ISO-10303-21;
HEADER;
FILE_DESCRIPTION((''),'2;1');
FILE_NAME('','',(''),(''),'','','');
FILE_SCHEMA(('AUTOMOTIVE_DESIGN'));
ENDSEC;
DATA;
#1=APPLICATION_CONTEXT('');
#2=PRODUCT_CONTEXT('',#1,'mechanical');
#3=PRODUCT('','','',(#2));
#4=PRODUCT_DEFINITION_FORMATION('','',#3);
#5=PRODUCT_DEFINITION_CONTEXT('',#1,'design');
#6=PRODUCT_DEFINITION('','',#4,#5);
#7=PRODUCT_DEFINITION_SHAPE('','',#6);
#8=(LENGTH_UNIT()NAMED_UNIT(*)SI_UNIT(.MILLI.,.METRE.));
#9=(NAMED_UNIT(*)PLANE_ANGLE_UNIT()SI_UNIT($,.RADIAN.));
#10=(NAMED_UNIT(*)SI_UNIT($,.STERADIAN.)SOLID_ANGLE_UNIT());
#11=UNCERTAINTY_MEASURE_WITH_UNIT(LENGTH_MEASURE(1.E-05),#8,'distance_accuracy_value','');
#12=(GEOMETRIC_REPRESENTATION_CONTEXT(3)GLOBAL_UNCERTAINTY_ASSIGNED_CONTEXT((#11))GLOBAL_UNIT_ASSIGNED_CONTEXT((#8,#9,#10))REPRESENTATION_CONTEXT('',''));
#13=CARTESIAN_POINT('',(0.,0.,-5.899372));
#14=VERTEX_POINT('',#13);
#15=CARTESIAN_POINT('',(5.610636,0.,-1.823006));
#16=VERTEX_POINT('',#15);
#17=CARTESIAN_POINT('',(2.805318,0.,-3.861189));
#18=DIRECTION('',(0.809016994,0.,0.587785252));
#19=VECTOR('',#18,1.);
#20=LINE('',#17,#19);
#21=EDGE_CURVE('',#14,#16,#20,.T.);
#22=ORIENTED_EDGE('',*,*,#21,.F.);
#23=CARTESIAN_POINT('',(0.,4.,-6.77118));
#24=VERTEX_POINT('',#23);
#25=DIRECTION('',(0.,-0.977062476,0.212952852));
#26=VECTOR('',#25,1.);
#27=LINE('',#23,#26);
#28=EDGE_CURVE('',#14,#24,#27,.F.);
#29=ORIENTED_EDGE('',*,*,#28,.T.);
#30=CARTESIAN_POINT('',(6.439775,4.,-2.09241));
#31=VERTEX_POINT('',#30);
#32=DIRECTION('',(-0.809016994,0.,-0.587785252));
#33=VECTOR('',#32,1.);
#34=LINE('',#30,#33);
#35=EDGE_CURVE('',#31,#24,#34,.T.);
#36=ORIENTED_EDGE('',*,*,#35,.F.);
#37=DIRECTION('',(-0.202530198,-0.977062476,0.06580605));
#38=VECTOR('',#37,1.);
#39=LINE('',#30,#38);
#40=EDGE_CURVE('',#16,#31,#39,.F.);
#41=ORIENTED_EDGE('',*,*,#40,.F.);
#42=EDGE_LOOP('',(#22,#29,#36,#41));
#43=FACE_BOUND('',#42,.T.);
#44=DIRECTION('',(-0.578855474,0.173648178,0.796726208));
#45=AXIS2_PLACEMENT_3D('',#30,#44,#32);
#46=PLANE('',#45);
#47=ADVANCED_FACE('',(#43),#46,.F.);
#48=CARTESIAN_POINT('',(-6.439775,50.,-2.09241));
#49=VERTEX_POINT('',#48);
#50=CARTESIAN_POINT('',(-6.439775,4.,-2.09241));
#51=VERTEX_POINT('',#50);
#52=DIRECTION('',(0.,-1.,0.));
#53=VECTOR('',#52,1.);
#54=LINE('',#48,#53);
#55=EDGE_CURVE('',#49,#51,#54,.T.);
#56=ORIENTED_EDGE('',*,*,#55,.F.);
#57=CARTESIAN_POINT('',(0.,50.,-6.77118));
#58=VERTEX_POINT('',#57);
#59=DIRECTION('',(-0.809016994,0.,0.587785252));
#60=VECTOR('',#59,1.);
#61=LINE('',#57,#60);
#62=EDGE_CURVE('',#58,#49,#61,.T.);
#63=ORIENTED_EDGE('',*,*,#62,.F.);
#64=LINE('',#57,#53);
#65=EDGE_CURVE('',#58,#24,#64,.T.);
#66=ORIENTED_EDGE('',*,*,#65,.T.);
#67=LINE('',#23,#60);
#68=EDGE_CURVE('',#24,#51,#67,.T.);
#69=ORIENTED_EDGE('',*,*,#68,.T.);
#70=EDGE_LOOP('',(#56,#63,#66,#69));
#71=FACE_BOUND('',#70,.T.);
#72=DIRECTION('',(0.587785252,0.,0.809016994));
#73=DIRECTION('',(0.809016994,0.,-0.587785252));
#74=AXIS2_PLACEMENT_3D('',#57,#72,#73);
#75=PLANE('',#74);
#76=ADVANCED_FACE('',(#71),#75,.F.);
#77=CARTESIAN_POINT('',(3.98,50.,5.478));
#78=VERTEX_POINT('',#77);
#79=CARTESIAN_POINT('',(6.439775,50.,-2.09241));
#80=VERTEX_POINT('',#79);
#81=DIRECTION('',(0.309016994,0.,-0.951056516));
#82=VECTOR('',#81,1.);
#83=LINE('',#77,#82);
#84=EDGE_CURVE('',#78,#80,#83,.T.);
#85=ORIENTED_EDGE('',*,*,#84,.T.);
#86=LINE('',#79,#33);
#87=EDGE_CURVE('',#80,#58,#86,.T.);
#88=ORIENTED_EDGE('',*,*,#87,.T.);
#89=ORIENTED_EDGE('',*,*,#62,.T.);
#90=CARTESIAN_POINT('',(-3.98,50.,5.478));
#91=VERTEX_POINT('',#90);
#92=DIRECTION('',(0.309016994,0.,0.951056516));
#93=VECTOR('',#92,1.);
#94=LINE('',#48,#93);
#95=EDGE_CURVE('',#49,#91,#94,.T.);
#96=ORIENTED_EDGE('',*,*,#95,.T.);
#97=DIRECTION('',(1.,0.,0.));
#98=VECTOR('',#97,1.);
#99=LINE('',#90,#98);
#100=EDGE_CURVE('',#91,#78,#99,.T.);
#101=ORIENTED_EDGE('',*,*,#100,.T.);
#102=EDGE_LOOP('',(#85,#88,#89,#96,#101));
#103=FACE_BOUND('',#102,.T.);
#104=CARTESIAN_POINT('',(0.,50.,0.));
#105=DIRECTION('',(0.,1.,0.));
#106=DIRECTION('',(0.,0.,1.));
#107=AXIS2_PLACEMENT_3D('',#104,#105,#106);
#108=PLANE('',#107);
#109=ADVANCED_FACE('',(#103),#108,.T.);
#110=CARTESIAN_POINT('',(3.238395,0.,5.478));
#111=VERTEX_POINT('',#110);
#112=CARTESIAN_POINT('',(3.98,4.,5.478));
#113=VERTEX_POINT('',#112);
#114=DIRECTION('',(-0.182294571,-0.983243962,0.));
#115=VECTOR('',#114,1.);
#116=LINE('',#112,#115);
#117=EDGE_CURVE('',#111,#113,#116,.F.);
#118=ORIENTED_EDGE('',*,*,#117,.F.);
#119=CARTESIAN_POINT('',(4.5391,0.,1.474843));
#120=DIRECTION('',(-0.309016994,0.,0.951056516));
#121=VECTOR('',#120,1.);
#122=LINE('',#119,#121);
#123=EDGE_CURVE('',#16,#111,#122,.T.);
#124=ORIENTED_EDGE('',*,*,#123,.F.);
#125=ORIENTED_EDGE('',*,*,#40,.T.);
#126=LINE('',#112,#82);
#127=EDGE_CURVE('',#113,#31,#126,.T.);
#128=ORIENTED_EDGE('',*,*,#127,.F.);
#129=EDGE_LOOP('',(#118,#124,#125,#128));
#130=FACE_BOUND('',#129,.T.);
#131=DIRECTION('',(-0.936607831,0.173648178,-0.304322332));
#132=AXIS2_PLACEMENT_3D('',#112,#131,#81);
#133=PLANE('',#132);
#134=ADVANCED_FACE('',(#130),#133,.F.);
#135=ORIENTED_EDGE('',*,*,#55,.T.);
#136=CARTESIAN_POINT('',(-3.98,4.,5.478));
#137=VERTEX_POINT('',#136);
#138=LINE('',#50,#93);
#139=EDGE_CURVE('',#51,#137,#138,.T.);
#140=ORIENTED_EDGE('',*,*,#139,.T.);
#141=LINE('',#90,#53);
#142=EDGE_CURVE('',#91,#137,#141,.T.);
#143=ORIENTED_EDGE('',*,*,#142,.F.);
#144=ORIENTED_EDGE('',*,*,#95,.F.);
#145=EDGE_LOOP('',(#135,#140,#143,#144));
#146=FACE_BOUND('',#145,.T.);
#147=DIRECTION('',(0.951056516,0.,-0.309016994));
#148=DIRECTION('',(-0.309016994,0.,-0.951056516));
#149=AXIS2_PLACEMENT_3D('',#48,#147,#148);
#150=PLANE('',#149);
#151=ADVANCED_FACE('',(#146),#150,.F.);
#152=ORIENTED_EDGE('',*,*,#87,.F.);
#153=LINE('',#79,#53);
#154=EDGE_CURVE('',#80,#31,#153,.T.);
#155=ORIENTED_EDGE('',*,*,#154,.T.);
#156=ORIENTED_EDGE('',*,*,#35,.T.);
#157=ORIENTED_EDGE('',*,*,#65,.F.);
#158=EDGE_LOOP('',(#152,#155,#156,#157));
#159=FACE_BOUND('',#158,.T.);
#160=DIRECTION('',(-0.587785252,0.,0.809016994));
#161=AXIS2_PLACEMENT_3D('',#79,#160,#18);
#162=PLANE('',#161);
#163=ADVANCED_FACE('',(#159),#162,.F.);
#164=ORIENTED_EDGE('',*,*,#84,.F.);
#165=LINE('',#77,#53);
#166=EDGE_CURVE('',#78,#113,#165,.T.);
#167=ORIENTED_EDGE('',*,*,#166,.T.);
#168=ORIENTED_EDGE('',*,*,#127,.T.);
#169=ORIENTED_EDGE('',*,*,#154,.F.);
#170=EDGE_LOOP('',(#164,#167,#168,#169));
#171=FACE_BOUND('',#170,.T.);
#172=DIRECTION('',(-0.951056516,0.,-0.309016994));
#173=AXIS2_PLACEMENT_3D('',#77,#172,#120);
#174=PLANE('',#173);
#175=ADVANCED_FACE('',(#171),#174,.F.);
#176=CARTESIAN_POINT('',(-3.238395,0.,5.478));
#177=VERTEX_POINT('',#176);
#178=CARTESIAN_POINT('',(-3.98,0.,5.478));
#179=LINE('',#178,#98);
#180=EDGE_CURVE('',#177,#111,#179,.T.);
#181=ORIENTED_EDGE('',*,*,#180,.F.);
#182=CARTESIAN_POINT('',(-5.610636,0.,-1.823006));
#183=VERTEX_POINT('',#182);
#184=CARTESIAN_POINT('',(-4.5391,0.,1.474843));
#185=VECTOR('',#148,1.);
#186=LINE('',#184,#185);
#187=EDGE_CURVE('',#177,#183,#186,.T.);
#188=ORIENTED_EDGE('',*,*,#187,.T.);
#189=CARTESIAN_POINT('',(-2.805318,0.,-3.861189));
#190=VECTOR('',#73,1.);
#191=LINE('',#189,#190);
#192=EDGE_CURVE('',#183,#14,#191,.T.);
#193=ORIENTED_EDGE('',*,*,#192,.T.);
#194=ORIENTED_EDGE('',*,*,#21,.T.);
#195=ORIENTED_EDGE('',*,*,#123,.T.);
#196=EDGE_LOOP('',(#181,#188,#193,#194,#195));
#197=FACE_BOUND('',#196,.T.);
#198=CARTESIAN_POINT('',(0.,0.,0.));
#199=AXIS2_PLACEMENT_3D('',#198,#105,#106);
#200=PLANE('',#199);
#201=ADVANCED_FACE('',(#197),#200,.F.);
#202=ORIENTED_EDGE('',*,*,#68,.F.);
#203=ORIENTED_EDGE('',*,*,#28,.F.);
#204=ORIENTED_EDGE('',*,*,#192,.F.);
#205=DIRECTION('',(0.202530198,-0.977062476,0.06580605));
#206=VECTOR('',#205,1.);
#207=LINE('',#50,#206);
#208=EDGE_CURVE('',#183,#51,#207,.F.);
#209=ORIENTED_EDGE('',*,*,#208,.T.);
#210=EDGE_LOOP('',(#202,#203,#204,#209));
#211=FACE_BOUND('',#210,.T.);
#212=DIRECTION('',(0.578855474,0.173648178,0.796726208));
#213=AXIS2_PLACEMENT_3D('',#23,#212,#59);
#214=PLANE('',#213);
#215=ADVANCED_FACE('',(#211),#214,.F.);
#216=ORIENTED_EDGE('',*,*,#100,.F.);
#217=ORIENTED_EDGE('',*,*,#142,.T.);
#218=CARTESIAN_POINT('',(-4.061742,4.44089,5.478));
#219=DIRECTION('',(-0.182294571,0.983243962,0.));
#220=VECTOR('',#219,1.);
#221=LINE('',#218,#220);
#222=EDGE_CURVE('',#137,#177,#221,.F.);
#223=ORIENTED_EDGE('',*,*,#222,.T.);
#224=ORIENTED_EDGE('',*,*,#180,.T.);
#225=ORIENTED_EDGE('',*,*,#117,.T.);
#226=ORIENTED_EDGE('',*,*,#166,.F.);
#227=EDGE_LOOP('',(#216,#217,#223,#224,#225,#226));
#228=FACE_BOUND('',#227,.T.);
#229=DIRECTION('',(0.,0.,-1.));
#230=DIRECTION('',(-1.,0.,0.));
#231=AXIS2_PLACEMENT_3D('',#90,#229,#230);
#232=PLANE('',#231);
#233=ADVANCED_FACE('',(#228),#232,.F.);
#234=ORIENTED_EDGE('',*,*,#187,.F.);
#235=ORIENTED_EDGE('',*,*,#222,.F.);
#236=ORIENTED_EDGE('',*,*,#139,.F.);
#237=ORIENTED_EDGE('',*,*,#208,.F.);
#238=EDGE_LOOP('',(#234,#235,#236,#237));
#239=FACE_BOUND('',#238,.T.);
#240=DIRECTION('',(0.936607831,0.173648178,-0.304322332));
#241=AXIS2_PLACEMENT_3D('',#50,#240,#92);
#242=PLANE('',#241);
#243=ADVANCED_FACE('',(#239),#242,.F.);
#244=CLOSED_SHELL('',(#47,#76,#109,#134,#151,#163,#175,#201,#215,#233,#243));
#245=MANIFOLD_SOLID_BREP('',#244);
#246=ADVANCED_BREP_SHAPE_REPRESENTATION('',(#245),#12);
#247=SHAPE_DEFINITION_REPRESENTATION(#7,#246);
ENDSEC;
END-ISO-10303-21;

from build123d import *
from OCP.BRepFilletAPI import BRepFilletAPI_MakeChamfer

# Parameters (mm, degrees)
BOSS_EXTRUDE1_DEPTH = 50
CHAMFER1_SIZE       = 4
CHAMFER1_SIZE2      = 0.705307923


with BuildPart() as part:
    # Sketch1 → Boss-Extrude1 (new body)
    with BuildSketch(Plane(origin=(0, 0, 0), x_dir=(1, 0, 0), z_dir=(0, 1, 0))):
        Polygon((0, 6.771180434), (-6.439775275, 2.092409826), (-3.98, -5.478000043), (3.98, -5.478000043), (6.439775275, 2.092409826), align=None)
    extrude(amount=BOSS_EXTRUDE1_DEPTH)

    # Chamfer1: one chamfer whose edges measure the first distance from different faces: ONE call of the kernel's chamfer builder (chamfer() names one face for all edges)
    chamfer1_edges_1 = [part.edges().sort_by_distance(p)[0] for p in [
        (5.209887638, 0, 1.692795109),
    ]]
    chamfer1_side_1 = [part.faces().sort_by_distance(p)[0] for p in [
        (5.209887638, 25, 1.692795109),
    ]]
    chamfer1_edges_2 = [part.edges().sort_by_distance(p)[0] for p in [
        (-5.209887638, 0, 1.692795109),
    ]]
    chamfer1_side_2 = [part.faces().sort_by_distance(p)[0] for p in [
        (-5.209887638, 25, 1.692795109),
    ]]
    chamfer1_edges_3 = [part.edges().sort_by_distance(p)[0] for p in [
        (-3.219887638, 0, -4.43179513),
    ]]
    chamfer1_side_3 = [part.faces().sort_by_distance(p)[0] for p in [
        (-3.219887638, 25, -4.43179513),
    ]]
    chamfer1_edges_4 = [part.edges().sort_by_distance(p)[0] for p in [
        (3.219887638, 0, -4.43179513),
    ]]
    chamfer1_side_4 = [part.faces().sort_by_distance(p)[0] for p in [
        (3.219887638, 25, -4.43179513),
    ]]
    chamfer1 = BRepFilletAPI_MakeChamfer(part.part.solid().wrapped)
    for e in chamfer1_edges_1:
        chamfer1.Add(CHAMFER1_SIZE, CHAMFER1_SIZE2, e.wrapped, chamfer1_side_1[0].wrapped)  # the first distance lies on this face
    for e in chamfer1_edges_2:
        chamfer1.Add(CHAMFER1_SIZE, CHAMFER1_SIZE2, e.wrapped, chamfer1_side_2[0].wrapped)  # the first distance lies on this face
    for e in chamfer1_edges_3:
        chamfer1.Add(CHAMFER1_SIZE, CHAMFER1_SIZE2, e.wrapped, chamfer1_side_3[0].wrapped)  # the first distance lies on this face
    for e in chamfer1_edges_4:
        chamfer1.Add(CHAMFER1_SIZE, CHAMFER1_SIZE2, e.wrapped, chamfer1_side_4[0].wrapped)  # the first distance lies on this face
    add(Compound.cast(chamfer1.Shape()), mode=Mode.REPLACE)


solid = part.part
